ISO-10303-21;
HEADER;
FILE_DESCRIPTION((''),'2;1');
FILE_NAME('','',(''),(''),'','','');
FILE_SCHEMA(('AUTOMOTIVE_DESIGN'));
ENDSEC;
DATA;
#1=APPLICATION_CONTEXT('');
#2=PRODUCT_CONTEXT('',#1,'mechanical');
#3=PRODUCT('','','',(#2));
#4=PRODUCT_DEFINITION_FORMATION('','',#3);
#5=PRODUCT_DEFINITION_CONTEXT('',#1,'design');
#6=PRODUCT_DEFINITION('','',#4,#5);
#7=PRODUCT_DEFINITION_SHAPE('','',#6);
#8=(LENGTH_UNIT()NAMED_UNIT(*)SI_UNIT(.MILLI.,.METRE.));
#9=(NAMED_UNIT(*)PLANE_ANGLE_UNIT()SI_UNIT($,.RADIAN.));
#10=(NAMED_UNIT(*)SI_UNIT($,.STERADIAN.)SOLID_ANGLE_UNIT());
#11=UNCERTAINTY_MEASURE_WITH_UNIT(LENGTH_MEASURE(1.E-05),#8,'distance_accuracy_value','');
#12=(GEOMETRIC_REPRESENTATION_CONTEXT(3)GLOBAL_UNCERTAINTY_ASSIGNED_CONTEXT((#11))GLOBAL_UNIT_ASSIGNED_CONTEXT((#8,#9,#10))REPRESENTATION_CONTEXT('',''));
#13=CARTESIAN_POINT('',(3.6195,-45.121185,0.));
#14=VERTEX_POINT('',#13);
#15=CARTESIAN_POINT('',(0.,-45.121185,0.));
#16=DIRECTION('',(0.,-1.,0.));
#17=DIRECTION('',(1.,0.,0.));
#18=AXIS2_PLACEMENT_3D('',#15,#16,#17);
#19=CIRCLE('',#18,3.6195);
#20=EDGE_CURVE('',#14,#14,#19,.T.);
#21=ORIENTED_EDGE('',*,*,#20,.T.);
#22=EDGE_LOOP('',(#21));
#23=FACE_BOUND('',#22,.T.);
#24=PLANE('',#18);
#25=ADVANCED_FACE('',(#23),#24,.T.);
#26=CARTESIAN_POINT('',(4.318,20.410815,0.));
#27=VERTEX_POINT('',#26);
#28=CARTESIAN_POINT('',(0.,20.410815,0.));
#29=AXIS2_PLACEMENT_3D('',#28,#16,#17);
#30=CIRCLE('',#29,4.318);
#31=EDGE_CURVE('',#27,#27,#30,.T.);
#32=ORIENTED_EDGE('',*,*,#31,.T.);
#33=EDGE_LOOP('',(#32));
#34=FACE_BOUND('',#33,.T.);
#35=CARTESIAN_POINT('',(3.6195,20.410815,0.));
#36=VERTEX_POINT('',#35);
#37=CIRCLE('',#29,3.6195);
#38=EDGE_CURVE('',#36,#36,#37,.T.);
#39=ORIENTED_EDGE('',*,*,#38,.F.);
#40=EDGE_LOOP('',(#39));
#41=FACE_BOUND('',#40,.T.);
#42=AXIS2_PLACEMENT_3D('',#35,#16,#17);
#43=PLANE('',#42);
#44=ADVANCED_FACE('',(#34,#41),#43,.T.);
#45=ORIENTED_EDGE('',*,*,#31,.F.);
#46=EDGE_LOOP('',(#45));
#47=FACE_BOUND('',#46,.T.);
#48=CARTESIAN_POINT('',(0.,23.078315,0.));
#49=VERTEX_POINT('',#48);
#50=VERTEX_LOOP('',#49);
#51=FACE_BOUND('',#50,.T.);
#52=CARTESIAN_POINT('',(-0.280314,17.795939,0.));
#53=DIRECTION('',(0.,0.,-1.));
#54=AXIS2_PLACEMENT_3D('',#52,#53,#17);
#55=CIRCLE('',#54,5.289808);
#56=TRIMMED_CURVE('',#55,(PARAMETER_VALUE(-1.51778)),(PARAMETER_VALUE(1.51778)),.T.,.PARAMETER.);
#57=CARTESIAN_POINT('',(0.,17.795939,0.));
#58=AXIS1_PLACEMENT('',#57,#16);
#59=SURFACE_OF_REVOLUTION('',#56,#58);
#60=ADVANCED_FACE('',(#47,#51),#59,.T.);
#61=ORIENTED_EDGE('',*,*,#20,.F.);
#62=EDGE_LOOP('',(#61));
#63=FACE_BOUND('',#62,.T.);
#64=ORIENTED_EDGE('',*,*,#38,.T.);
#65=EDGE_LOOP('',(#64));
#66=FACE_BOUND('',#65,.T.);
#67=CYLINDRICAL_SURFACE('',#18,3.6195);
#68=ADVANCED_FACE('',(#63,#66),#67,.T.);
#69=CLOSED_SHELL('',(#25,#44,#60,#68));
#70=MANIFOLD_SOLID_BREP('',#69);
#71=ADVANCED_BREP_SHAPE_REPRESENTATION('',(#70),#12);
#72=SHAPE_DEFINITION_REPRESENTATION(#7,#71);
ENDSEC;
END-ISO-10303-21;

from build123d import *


with BuildPart() as part:
    # Sketch2 → Revolve1 (revolve)
    with BuildSketch(Plane.XY):
        with BuildLine():
            Line((0, -45.121184694), (3.6195, -45.121184694))
            Line((3.6195, -45.121184694), (3.6195, 20.410815306))
            Line((3.6195, 20.410815306), (4.318, 20.410815306))
            ThreePointArc((4.318, 20.410815306), (2.499819305, 22.296264383), (0, 23.078314701))
            Line((0, 23.078314701), (0, -45.121184694))
        make_face()
    revolve(axis=Axis((0, -45.121184694, 0), (0, 1, 0)))


solid = part.part
